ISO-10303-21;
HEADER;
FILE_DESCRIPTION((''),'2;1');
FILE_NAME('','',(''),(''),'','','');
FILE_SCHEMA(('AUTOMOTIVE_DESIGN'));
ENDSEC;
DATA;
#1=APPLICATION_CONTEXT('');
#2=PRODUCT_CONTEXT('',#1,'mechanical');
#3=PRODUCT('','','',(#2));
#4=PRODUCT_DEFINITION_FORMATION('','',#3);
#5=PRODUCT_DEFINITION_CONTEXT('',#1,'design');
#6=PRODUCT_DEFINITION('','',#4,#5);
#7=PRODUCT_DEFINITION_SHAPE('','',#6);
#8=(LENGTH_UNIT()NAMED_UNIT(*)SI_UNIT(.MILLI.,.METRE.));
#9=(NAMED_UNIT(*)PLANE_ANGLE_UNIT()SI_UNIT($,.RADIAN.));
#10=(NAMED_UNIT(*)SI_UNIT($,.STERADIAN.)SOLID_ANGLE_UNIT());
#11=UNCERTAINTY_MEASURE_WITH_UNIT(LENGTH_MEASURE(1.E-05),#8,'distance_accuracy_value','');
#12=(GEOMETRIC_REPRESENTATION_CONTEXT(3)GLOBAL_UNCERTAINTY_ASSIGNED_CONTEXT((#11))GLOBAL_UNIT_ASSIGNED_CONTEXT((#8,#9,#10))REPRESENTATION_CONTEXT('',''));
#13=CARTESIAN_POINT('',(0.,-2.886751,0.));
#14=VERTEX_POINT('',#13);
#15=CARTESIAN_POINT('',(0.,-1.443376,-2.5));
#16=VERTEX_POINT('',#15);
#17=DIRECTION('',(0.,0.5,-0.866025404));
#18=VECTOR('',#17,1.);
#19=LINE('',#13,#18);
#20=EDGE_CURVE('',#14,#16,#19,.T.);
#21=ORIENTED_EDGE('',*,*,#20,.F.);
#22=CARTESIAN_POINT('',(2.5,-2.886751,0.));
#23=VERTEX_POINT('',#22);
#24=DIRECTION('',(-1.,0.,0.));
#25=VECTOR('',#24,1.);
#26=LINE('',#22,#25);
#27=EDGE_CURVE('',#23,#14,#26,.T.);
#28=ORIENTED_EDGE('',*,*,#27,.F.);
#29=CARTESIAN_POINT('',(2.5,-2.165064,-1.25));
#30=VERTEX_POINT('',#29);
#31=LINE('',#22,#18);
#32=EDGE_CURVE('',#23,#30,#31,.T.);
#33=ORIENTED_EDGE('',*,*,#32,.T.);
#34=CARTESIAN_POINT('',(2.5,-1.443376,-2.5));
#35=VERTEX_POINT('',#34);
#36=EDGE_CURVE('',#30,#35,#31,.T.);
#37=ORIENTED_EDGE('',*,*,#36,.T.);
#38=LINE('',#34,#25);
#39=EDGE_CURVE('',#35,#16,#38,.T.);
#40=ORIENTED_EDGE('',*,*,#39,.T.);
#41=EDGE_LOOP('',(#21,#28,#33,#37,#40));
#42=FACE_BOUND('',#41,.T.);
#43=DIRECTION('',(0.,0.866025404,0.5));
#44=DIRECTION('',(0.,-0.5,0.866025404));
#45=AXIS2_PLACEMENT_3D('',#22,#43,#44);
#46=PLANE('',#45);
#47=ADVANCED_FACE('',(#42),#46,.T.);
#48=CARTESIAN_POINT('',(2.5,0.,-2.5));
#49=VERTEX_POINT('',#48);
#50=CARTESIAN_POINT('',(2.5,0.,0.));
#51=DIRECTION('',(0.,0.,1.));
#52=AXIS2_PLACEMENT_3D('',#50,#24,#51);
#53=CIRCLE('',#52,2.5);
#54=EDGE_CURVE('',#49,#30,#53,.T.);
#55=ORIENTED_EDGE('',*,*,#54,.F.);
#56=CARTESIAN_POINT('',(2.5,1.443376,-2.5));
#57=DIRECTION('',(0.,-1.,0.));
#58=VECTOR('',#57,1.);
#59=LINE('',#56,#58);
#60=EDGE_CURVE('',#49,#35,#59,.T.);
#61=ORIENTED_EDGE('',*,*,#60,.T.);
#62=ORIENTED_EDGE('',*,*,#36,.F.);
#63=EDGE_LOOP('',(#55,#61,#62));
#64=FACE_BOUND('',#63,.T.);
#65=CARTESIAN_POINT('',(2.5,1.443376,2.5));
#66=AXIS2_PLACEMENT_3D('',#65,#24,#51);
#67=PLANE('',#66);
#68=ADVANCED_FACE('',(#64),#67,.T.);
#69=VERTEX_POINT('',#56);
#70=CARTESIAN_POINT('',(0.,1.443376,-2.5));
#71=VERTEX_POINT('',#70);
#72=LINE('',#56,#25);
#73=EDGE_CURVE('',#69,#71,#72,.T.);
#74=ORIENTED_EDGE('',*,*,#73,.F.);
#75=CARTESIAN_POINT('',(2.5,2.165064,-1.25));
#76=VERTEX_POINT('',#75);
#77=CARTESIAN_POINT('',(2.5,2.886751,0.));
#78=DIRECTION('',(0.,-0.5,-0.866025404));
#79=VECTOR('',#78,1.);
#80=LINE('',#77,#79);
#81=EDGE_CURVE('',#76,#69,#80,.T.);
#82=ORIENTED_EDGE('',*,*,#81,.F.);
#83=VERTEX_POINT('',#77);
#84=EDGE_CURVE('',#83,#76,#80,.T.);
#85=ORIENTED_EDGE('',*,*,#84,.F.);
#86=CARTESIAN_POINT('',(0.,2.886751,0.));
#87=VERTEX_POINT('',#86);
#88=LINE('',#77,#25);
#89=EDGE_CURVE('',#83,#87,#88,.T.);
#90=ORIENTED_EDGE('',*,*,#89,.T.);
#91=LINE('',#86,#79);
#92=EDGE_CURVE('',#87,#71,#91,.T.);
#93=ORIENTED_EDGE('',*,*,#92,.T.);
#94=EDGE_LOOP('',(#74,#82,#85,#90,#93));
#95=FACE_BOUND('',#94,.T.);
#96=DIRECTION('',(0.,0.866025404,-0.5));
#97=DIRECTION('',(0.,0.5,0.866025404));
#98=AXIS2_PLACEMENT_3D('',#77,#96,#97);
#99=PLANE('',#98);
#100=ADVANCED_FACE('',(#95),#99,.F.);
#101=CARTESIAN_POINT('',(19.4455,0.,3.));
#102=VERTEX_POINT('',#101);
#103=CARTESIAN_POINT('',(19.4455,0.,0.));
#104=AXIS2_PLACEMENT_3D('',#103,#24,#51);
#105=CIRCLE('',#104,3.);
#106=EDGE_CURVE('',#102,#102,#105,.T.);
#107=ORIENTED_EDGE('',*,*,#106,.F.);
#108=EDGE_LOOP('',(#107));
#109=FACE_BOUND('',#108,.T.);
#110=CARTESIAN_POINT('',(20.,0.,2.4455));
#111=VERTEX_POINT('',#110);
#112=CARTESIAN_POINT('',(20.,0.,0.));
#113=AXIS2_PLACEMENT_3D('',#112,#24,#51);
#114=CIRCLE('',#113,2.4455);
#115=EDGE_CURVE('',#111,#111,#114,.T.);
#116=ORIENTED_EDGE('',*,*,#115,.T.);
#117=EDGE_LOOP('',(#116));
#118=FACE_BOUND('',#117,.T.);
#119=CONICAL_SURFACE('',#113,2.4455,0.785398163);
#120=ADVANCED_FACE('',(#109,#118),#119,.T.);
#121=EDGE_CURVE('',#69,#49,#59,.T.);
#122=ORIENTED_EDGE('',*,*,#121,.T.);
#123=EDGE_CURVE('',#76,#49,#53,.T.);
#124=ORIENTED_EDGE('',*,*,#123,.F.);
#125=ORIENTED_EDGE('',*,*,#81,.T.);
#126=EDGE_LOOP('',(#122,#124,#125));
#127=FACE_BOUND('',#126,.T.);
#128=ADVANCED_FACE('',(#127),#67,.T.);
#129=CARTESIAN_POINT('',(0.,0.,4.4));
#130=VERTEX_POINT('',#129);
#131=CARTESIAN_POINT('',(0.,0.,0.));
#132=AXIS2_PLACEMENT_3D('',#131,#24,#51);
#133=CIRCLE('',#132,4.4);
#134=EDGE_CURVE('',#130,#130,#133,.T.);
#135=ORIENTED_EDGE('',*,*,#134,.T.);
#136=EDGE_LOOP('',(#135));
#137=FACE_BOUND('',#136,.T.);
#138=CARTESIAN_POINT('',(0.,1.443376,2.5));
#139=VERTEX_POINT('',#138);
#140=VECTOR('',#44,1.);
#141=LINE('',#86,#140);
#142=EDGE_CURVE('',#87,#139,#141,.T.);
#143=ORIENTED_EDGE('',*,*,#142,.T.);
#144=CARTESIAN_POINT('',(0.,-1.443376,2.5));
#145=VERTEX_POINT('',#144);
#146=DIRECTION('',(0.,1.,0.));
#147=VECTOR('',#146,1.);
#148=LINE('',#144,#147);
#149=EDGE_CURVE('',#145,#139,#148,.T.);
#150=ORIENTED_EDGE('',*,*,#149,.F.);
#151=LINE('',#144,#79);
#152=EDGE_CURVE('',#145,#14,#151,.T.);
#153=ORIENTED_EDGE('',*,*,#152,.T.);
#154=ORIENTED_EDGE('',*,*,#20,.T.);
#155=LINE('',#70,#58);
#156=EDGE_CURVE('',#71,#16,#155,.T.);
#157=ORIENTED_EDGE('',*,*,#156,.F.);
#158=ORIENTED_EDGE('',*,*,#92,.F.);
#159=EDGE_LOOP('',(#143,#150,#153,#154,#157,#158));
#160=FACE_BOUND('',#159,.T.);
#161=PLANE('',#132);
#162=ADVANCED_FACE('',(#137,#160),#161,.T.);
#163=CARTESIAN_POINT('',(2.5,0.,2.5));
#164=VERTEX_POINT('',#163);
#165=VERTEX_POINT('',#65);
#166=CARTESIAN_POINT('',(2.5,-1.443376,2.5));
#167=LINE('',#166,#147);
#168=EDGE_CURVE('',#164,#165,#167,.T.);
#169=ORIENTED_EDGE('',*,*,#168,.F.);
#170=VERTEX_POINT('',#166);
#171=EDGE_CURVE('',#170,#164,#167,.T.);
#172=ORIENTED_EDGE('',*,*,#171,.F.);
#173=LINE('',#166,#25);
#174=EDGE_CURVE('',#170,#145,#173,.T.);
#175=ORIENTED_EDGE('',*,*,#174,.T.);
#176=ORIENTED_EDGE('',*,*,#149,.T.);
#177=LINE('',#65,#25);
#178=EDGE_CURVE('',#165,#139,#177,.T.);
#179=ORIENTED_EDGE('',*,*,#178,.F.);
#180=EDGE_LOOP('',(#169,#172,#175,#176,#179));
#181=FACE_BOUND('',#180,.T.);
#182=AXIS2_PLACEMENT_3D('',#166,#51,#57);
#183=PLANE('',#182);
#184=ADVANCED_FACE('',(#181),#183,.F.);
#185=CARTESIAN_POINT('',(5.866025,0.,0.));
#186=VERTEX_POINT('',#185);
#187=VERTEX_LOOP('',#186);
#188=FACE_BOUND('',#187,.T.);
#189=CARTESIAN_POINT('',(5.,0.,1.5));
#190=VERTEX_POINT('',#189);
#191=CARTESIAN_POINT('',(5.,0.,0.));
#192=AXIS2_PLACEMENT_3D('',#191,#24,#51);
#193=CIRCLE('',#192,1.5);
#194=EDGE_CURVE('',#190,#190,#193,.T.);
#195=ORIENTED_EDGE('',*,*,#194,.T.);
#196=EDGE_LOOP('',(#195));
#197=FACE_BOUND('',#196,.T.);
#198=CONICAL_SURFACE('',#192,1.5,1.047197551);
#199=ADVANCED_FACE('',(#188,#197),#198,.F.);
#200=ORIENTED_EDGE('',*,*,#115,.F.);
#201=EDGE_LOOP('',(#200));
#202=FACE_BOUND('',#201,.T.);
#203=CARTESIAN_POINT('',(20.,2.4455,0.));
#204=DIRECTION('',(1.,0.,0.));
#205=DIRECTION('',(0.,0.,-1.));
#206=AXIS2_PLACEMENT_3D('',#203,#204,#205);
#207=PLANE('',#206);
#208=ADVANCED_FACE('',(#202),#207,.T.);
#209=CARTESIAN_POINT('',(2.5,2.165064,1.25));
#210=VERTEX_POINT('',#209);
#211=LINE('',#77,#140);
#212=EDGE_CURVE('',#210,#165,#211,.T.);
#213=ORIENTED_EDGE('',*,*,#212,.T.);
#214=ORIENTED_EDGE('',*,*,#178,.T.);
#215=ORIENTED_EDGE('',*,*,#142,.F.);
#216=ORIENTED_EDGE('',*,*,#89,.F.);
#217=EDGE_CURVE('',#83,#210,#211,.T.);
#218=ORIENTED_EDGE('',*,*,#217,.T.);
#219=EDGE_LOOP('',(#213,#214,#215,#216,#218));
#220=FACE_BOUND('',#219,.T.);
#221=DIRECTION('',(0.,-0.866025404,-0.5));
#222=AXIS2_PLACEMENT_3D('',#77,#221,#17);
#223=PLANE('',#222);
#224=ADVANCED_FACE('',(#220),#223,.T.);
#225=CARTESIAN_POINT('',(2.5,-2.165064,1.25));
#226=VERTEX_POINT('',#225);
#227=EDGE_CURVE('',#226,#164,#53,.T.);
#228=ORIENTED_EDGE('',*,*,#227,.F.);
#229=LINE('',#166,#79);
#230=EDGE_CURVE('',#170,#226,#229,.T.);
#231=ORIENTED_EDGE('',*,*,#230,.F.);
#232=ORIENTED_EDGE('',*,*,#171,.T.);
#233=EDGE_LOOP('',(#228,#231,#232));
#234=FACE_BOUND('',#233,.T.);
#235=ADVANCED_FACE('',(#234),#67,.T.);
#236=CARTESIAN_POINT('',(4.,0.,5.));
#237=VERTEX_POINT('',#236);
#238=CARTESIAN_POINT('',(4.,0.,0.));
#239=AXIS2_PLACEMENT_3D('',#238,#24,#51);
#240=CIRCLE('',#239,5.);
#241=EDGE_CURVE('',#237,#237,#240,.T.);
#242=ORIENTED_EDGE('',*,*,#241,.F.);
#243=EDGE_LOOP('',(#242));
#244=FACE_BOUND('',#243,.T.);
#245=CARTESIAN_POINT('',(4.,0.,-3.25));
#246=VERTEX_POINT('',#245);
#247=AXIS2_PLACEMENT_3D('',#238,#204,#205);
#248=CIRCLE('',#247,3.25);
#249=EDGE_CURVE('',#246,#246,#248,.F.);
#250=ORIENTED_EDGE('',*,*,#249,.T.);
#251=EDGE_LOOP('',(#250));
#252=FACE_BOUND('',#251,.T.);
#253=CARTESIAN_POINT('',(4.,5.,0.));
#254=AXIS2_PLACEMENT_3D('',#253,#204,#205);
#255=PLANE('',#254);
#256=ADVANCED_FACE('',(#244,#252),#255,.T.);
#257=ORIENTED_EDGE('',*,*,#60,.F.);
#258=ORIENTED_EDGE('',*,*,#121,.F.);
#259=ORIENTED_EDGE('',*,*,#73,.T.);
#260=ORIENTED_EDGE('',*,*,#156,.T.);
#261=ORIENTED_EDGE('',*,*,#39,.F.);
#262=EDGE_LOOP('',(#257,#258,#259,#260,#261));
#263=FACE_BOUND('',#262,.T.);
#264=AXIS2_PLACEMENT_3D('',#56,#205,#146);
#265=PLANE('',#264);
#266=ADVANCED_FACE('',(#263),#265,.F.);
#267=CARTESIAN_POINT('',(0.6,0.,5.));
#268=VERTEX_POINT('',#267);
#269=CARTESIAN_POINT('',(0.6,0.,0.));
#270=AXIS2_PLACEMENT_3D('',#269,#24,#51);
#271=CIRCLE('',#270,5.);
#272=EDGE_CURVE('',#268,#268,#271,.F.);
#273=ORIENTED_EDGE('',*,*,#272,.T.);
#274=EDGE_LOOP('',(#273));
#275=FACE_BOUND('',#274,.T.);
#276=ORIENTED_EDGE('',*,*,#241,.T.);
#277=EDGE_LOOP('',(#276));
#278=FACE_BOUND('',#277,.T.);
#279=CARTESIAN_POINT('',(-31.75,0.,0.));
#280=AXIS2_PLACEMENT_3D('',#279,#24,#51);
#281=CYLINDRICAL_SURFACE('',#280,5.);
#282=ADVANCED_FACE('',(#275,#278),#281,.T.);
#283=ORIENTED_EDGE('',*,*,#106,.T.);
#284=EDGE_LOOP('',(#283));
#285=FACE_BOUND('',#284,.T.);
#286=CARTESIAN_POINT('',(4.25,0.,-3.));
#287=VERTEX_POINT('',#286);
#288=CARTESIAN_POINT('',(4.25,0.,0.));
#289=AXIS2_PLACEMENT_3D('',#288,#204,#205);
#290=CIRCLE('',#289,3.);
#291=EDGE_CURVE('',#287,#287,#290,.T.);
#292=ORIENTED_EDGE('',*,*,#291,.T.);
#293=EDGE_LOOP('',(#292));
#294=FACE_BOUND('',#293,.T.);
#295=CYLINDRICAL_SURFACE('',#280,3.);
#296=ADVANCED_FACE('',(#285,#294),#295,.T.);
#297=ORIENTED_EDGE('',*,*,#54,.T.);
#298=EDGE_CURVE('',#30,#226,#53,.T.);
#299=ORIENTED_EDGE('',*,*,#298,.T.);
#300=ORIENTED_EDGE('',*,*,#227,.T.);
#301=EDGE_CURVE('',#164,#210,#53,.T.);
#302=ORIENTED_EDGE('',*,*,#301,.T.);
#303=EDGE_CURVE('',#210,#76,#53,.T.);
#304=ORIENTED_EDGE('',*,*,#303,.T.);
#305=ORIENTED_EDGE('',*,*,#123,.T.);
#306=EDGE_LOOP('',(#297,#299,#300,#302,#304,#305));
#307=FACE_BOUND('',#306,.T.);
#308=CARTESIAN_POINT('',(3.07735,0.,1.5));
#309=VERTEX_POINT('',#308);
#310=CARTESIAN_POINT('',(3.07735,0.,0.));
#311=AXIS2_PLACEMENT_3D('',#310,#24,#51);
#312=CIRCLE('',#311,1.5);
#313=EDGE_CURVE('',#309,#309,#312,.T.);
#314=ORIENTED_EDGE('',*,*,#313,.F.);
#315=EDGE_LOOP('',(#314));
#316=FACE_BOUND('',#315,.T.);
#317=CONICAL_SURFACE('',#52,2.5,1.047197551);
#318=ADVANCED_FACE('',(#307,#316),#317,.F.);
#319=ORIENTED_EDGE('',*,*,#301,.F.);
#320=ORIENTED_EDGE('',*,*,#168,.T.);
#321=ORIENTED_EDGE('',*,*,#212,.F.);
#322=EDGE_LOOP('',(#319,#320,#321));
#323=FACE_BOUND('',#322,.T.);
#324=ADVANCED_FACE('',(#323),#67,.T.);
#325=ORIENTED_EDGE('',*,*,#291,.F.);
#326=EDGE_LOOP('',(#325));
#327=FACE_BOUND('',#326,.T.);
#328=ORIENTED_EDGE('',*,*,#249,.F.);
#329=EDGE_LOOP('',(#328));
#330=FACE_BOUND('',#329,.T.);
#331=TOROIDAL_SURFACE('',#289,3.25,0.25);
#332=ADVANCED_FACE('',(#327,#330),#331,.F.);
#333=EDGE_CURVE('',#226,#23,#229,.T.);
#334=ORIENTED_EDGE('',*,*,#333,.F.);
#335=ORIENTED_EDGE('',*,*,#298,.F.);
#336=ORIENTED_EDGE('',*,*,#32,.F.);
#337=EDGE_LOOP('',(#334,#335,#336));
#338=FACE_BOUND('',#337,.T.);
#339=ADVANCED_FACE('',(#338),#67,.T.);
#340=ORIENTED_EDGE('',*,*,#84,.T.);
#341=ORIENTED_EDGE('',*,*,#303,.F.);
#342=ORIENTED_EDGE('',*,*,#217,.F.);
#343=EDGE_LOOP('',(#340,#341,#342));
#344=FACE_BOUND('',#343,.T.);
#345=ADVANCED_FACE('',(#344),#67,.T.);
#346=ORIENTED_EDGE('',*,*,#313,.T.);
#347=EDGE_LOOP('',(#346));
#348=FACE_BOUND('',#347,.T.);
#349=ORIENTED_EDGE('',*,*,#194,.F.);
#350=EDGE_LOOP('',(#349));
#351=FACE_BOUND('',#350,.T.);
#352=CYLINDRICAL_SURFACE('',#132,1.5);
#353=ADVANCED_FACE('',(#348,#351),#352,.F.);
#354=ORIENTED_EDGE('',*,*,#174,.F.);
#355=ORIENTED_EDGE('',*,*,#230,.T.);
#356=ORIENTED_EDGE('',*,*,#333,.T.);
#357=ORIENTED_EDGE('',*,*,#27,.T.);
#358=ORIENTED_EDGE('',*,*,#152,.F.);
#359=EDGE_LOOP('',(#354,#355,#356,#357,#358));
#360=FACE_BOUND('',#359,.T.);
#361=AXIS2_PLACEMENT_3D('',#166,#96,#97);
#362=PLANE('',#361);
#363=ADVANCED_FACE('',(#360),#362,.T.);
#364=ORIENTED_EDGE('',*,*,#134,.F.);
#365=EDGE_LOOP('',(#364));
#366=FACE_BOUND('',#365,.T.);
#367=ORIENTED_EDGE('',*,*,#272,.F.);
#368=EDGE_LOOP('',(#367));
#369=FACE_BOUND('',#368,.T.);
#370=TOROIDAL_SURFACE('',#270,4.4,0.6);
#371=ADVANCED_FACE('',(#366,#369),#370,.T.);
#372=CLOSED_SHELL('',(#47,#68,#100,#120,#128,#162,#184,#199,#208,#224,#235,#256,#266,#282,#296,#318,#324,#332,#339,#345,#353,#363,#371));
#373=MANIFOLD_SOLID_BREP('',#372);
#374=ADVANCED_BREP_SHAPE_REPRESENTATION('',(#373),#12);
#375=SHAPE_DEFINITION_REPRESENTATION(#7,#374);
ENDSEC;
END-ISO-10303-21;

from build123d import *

# Parameters (mm, degrees)
FILLET1_R   = 0.25
FILLET2_R   = 0.6
HEX_2_DEPTH = 2.5


with BuildPart() as part:
    # BodySke → Base-Revolve (revolve)
    with BuildSketch(Plane.XY, mode=Mode.PRIVATE) as base_revolve_sk:
        Polygon((0, 0), (0, 5), (4, 5), (4, 3), (19.4455, 3), (20, 2.4455), (20, 0), align=None)
    revolve(base_revolve_sk.sketch.rotate(Axis((-31.75, 0, 0), (1, 0, 0)), 90), axis=Axis((-31.75, 0, 0), (1, 0, 0)))

    # Fillet1
    fillet1_edges = [part.edges().sort_by_distance(p)[0] for p in [
        (4, 0, -3),
    ]]
    fillet(fillet1_edges, radius=FILLET1_R)

    # Fillet2
    fillet2_edges = [part.edges().sort_by_distance(p)[0] for p in [
        (0, 0, -5),
    ]]
    fillet(fillet2_edges, radius=FILLET2_R)

    # HexSke → Hex 2 (cut)
    with BuildSketch(Plane(origin=(0, 0, 0), x_dir=(0, 0.500000000000001, 0.866025403784438), z_dir=(-1, 0, 0))):
        Polygon((1.443375673, 2.5), (-1.443375673, 2.5), (-2.886751346, 0), (-1.443375673, -2.5), (1.443375673, -2.5), (2.886751346, 0), align=None)
    extrude(amount=-HEX_2_DEPTH, mode=Mode.SUBTRACT)

    # PilotSke → Hex-PreBroach (revolve, cut)
    with BuildSketch(Plane.XY, mode=Mode.PRIVATE) as hex_prebroach_sk:
        Polygon((0, 2.5), (2.5, 2.5), (3.077350269, 1.5), (5, 1.5), (5.866025404, 0), (0, 0), align=None)
    revolve(hex_prebroach_sk.sketch.rotate(Axis((0, 0, 0), (1, 0, 0)), 90), axis=Axis((0, 0, 0), (1, 0, 0)), mode=Mode.SUBTRACT)


solid = part.part
